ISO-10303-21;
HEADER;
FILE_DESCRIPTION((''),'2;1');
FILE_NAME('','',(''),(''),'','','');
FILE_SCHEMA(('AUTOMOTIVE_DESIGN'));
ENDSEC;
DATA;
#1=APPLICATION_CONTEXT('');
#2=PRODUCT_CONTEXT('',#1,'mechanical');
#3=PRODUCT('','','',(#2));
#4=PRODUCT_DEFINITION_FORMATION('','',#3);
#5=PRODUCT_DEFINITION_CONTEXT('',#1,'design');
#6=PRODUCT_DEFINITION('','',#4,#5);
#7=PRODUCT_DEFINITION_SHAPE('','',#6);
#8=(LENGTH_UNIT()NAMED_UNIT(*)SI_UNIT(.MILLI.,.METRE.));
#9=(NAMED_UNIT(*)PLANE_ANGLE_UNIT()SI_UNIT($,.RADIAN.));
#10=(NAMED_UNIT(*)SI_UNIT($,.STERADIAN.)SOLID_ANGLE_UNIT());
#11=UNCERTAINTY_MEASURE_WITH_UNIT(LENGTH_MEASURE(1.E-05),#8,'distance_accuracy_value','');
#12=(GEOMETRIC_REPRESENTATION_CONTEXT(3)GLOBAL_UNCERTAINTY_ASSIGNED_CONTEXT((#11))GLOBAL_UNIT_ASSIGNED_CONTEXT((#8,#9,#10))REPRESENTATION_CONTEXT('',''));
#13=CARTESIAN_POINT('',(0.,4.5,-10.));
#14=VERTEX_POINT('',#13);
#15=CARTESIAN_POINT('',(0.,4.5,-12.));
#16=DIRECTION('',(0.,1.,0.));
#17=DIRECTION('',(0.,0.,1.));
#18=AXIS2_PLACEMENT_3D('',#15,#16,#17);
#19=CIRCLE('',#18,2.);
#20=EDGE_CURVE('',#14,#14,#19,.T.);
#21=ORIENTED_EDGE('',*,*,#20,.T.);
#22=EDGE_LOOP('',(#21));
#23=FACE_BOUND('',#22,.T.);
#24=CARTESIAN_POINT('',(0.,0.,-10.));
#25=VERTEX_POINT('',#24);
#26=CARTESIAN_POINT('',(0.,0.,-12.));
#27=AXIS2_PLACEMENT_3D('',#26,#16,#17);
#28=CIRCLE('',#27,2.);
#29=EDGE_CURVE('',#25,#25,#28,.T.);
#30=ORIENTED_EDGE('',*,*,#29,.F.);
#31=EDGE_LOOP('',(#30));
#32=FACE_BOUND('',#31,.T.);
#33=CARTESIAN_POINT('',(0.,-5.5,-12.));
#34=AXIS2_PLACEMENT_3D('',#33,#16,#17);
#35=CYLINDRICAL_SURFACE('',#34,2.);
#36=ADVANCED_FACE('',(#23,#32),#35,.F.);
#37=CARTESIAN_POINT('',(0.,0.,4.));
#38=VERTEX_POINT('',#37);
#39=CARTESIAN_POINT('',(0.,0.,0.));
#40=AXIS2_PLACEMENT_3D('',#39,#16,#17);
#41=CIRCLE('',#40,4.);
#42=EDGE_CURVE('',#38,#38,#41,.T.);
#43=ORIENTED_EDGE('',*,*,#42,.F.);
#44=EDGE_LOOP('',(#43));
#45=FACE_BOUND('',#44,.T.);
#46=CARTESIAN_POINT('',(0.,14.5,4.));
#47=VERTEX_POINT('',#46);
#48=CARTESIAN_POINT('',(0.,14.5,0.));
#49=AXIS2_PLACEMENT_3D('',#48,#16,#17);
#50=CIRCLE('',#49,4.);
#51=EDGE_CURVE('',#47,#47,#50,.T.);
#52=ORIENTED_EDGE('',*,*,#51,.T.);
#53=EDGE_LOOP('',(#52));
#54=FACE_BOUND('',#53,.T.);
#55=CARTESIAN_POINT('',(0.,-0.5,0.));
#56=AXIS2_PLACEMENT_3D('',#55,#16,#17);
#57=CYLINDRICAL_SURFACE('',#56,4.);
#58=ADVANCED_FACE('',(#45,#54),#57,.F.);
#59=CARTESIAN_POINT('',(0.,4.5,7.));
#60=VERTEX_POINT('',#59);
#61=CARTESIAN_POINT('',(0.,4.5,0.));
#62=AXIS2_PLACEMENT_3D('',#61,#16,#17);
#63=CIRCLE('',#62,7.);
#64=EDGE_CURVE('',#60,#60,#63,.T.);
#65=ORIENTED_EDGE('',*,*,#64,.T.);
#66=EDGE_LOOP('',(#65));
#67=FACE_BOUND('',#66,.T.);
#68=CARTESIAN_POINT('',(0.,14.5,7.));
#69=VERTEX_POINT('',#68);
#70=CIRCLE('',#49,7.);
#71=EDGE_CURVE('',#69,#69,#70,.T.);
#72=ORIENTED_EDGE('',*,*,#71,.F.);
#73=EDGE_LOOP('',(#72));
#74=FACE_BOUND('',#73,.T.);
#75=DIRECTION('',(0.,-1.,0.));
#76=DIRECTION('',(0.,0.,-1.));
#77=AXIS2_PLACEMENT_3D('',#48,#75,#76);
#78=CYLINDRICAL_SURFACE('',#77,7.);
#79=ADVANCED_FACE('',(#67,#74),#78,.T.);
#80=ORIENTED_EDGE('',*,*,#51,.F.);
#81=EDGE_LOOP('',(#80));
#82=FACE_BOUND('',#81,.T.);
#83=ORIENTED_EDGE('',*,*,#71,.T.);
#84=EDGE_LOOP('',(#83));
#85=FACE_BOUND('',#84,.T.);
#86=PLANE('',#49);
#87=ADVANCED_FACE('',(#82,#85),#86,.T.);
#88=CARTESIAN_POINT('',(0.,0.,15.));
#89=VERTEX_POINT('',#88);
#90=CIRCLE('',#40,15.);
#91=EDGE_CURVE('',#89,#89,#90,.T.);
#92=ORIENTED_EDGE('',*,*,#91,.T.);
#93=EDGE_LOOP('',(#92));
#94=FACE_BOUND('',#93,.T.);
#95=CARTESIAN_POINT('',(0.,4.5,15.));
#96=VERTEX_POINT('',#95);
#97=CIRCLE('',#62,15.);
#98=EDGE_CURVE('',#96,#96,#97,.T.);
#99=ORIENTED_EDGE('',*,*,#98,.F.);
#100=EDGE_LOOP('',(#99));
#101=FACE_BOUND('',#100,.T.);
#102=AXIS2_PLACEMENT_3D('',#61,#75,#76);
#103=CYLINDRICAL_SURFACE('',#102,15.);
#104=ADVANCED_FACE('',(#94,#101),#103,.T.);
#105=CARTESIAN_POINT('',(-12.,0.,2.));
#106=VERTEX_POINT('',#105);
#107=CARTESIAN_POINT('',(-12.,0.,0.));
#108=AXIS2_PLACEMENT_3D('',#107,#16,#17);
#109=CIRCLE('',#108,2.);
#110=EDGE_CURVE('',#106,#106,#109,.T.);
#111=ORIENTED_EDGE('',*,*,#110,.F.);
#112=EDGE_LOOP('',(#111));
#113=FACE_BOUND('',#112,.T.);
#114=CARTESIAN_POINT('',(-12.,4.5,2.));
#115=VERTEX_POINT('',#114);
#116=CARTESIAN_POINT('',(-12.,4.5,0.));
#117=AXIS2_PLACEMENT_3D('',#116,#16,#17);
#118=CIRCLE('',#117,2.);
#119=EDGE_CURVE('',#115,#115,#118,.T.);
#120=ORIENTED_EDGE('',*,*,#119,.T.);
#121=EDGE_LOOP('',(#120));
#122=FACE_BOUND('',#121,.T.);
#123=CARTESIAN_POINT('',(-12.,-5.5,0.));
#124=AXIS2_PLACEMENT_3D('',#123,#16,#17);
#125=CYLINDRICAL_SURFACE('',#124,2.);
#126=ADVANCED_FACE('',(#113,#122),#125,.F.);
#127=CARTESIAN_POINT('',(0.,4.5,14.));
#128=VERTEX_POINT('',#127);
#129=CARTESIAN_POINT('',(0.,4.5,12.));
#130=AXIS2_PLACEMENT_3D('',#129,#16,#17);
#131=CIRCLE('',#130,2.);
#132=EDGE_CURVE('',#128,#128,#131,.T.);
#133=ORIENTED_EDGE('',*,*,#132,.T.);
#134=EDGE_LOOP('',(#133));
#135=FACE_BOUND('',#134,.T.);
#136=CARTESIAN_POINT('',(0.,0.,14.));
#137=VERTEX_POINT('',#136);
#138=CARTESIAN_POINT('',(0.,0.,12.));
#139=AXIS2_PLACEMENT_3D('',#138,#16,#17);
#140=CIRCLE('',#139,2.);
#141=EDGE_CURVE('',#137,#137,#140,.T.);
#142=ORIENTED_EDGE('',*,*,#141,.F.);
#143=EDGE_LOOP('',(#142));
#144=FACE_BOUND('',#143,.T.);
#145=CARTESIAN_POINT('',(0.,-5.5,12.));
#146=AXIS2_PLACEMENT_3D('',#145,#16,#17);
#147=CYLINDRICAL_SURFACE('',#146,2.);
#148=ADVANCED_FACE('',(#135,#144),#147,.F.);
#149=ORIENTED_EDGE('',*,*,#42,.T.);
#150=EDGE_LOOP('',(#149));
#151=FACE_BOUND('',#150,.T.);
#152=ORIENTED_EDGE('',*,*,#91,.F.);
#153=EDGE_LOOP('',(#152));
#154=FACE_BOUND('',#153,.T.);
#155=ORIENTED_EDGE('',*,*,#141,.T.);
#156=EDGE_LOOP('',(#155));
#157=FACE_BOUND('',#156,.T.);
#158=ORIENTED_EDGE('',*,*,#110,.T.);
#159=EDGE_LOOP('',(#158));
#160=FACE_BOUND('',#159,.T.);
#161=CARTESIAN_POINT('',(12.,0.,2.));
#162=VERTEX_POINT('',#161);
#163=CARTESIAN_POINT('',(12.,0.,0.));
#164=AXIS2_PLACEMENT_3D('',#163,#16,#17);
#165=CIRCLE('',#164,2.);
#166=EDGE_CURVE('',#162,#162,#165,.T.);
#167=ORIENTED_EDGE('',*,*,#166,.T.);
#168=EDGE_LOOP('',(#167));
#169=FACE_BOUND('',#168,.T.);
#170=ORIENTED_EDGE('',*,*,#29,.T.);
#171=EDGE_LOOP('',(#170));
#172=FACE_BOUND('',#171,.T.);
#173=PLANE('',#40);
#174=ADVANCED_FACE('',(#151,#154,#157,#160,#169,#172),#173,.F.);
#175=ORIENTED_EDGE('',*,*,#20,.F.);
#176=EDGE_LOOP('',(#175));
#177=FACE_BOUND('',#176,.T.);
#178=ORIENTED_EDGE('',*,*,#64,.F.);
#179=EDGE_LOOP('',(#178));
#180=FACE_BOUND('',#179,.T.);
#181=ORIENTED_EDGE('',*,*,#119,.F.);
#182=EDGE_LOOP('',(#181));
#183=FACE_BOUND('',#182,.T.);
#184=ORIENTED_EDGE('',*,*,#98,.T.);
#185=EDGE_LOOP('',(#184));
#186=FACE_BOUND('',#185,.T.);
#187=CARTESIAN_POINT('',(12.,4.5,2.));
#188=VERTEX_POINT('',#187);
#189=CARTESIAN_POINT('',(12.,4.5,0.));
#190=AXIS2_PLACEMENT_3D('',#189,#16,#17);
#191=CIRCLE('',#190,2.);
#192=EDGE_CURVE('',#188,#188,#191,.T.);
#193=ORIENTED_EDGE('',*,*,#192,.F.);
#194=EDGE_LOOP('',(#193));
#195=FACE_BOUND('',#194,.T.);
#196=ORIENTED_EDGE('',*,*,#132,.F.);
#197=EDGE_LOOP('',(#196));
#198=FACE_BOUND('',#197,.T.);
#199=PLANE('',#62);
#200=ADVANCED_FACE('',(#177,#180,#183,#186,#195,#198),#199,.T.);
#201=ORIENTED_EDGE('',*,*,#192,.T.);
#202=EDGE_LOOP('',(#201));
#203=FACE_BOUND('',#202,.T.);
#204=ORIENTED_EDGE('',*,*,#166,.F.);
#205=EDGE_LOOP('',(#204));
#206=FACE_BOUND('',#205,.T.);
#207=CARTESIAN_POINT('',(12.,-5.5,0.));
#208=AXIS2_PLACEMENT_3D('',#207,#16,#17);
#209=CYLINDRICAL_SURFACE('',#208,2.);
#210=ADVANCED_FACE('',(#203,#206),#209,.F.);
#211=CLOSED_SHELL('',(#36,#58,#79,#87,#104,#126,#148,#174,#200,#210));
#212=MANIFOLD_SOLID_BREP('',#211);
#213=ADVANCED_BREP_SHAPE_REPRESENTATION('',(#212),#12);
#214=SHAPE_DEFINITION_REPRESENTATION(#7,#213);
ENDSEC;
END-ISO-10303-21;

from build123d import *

# Parameters (mm, degrees)
SKETCH1_R           = 15
BOSS_EXTRUDE1_DEPTH = 4.5
SKETCH3_R           = 7
BOSS_EXTRUDE2_DEPTH = 10
SKETCH4_R           = 4
CUT_EXTRUDE1_DEPTH  = 15
SKETCH5_R           = 2
CUT_EXTRUDE2_DEPTH  = 10


with BuildPart() as part:
    # Sketch1 → Boss-Extrude1 (new body)
    with BuildSketch(Plane(origin=(0, 0, 0), x_dir=(1, 0, 0), z_dir=(0, 1, 0))):
        Circle(SKETCH1_R)
    extrude(amount=BOSS_EXTRUDE1_DEPTH)

    # Sketch3 → Boss-Extrude2 (add)
    with BuildSketch(Plane(origin=(0, 4.5, 0), x_dir=(1, 0, 0), z_dir=(0, 1, 0))):
        Circle(SKETCH3_R)
    extrude(amount=BOSS_EXTRUDE2_DEPTH)

    # Sketch4 → Cut-Extrude1 (cut)
    with BuildSketch(Plane(origin=(0, 14.5, 0), x_dir=(1, 0, 0), z_dir=(0, 1, 0))):
        Circle(SKETCH4_R)
    extrude(amount=-CUT_EXTRUDE1_DEPTH, mode=Mode.SUBTRACT)

    # Sketch5 → Cut-Extrude2 (cut)
    with BuildSketch(Plane(origin=(0, 4.5, 0), x_dir=(1, 0, 0), z_dir=(0, 1, 0))):
        with Locations((0, 12)):
            Circle(SKETCH5_R)
        with Locations((12, 0)):
            Circle(SKETCH5_R)
        with Locations((0, -12)):
            Circle(SKETCH5_R)
        with Locations((-12, 0)):
            Circle(SKETCH5_R)
    extrude(amount=-CUT_EXTRUDE2_DEPTH, mode=Mode.SUBTRACT)


solid = part.part
